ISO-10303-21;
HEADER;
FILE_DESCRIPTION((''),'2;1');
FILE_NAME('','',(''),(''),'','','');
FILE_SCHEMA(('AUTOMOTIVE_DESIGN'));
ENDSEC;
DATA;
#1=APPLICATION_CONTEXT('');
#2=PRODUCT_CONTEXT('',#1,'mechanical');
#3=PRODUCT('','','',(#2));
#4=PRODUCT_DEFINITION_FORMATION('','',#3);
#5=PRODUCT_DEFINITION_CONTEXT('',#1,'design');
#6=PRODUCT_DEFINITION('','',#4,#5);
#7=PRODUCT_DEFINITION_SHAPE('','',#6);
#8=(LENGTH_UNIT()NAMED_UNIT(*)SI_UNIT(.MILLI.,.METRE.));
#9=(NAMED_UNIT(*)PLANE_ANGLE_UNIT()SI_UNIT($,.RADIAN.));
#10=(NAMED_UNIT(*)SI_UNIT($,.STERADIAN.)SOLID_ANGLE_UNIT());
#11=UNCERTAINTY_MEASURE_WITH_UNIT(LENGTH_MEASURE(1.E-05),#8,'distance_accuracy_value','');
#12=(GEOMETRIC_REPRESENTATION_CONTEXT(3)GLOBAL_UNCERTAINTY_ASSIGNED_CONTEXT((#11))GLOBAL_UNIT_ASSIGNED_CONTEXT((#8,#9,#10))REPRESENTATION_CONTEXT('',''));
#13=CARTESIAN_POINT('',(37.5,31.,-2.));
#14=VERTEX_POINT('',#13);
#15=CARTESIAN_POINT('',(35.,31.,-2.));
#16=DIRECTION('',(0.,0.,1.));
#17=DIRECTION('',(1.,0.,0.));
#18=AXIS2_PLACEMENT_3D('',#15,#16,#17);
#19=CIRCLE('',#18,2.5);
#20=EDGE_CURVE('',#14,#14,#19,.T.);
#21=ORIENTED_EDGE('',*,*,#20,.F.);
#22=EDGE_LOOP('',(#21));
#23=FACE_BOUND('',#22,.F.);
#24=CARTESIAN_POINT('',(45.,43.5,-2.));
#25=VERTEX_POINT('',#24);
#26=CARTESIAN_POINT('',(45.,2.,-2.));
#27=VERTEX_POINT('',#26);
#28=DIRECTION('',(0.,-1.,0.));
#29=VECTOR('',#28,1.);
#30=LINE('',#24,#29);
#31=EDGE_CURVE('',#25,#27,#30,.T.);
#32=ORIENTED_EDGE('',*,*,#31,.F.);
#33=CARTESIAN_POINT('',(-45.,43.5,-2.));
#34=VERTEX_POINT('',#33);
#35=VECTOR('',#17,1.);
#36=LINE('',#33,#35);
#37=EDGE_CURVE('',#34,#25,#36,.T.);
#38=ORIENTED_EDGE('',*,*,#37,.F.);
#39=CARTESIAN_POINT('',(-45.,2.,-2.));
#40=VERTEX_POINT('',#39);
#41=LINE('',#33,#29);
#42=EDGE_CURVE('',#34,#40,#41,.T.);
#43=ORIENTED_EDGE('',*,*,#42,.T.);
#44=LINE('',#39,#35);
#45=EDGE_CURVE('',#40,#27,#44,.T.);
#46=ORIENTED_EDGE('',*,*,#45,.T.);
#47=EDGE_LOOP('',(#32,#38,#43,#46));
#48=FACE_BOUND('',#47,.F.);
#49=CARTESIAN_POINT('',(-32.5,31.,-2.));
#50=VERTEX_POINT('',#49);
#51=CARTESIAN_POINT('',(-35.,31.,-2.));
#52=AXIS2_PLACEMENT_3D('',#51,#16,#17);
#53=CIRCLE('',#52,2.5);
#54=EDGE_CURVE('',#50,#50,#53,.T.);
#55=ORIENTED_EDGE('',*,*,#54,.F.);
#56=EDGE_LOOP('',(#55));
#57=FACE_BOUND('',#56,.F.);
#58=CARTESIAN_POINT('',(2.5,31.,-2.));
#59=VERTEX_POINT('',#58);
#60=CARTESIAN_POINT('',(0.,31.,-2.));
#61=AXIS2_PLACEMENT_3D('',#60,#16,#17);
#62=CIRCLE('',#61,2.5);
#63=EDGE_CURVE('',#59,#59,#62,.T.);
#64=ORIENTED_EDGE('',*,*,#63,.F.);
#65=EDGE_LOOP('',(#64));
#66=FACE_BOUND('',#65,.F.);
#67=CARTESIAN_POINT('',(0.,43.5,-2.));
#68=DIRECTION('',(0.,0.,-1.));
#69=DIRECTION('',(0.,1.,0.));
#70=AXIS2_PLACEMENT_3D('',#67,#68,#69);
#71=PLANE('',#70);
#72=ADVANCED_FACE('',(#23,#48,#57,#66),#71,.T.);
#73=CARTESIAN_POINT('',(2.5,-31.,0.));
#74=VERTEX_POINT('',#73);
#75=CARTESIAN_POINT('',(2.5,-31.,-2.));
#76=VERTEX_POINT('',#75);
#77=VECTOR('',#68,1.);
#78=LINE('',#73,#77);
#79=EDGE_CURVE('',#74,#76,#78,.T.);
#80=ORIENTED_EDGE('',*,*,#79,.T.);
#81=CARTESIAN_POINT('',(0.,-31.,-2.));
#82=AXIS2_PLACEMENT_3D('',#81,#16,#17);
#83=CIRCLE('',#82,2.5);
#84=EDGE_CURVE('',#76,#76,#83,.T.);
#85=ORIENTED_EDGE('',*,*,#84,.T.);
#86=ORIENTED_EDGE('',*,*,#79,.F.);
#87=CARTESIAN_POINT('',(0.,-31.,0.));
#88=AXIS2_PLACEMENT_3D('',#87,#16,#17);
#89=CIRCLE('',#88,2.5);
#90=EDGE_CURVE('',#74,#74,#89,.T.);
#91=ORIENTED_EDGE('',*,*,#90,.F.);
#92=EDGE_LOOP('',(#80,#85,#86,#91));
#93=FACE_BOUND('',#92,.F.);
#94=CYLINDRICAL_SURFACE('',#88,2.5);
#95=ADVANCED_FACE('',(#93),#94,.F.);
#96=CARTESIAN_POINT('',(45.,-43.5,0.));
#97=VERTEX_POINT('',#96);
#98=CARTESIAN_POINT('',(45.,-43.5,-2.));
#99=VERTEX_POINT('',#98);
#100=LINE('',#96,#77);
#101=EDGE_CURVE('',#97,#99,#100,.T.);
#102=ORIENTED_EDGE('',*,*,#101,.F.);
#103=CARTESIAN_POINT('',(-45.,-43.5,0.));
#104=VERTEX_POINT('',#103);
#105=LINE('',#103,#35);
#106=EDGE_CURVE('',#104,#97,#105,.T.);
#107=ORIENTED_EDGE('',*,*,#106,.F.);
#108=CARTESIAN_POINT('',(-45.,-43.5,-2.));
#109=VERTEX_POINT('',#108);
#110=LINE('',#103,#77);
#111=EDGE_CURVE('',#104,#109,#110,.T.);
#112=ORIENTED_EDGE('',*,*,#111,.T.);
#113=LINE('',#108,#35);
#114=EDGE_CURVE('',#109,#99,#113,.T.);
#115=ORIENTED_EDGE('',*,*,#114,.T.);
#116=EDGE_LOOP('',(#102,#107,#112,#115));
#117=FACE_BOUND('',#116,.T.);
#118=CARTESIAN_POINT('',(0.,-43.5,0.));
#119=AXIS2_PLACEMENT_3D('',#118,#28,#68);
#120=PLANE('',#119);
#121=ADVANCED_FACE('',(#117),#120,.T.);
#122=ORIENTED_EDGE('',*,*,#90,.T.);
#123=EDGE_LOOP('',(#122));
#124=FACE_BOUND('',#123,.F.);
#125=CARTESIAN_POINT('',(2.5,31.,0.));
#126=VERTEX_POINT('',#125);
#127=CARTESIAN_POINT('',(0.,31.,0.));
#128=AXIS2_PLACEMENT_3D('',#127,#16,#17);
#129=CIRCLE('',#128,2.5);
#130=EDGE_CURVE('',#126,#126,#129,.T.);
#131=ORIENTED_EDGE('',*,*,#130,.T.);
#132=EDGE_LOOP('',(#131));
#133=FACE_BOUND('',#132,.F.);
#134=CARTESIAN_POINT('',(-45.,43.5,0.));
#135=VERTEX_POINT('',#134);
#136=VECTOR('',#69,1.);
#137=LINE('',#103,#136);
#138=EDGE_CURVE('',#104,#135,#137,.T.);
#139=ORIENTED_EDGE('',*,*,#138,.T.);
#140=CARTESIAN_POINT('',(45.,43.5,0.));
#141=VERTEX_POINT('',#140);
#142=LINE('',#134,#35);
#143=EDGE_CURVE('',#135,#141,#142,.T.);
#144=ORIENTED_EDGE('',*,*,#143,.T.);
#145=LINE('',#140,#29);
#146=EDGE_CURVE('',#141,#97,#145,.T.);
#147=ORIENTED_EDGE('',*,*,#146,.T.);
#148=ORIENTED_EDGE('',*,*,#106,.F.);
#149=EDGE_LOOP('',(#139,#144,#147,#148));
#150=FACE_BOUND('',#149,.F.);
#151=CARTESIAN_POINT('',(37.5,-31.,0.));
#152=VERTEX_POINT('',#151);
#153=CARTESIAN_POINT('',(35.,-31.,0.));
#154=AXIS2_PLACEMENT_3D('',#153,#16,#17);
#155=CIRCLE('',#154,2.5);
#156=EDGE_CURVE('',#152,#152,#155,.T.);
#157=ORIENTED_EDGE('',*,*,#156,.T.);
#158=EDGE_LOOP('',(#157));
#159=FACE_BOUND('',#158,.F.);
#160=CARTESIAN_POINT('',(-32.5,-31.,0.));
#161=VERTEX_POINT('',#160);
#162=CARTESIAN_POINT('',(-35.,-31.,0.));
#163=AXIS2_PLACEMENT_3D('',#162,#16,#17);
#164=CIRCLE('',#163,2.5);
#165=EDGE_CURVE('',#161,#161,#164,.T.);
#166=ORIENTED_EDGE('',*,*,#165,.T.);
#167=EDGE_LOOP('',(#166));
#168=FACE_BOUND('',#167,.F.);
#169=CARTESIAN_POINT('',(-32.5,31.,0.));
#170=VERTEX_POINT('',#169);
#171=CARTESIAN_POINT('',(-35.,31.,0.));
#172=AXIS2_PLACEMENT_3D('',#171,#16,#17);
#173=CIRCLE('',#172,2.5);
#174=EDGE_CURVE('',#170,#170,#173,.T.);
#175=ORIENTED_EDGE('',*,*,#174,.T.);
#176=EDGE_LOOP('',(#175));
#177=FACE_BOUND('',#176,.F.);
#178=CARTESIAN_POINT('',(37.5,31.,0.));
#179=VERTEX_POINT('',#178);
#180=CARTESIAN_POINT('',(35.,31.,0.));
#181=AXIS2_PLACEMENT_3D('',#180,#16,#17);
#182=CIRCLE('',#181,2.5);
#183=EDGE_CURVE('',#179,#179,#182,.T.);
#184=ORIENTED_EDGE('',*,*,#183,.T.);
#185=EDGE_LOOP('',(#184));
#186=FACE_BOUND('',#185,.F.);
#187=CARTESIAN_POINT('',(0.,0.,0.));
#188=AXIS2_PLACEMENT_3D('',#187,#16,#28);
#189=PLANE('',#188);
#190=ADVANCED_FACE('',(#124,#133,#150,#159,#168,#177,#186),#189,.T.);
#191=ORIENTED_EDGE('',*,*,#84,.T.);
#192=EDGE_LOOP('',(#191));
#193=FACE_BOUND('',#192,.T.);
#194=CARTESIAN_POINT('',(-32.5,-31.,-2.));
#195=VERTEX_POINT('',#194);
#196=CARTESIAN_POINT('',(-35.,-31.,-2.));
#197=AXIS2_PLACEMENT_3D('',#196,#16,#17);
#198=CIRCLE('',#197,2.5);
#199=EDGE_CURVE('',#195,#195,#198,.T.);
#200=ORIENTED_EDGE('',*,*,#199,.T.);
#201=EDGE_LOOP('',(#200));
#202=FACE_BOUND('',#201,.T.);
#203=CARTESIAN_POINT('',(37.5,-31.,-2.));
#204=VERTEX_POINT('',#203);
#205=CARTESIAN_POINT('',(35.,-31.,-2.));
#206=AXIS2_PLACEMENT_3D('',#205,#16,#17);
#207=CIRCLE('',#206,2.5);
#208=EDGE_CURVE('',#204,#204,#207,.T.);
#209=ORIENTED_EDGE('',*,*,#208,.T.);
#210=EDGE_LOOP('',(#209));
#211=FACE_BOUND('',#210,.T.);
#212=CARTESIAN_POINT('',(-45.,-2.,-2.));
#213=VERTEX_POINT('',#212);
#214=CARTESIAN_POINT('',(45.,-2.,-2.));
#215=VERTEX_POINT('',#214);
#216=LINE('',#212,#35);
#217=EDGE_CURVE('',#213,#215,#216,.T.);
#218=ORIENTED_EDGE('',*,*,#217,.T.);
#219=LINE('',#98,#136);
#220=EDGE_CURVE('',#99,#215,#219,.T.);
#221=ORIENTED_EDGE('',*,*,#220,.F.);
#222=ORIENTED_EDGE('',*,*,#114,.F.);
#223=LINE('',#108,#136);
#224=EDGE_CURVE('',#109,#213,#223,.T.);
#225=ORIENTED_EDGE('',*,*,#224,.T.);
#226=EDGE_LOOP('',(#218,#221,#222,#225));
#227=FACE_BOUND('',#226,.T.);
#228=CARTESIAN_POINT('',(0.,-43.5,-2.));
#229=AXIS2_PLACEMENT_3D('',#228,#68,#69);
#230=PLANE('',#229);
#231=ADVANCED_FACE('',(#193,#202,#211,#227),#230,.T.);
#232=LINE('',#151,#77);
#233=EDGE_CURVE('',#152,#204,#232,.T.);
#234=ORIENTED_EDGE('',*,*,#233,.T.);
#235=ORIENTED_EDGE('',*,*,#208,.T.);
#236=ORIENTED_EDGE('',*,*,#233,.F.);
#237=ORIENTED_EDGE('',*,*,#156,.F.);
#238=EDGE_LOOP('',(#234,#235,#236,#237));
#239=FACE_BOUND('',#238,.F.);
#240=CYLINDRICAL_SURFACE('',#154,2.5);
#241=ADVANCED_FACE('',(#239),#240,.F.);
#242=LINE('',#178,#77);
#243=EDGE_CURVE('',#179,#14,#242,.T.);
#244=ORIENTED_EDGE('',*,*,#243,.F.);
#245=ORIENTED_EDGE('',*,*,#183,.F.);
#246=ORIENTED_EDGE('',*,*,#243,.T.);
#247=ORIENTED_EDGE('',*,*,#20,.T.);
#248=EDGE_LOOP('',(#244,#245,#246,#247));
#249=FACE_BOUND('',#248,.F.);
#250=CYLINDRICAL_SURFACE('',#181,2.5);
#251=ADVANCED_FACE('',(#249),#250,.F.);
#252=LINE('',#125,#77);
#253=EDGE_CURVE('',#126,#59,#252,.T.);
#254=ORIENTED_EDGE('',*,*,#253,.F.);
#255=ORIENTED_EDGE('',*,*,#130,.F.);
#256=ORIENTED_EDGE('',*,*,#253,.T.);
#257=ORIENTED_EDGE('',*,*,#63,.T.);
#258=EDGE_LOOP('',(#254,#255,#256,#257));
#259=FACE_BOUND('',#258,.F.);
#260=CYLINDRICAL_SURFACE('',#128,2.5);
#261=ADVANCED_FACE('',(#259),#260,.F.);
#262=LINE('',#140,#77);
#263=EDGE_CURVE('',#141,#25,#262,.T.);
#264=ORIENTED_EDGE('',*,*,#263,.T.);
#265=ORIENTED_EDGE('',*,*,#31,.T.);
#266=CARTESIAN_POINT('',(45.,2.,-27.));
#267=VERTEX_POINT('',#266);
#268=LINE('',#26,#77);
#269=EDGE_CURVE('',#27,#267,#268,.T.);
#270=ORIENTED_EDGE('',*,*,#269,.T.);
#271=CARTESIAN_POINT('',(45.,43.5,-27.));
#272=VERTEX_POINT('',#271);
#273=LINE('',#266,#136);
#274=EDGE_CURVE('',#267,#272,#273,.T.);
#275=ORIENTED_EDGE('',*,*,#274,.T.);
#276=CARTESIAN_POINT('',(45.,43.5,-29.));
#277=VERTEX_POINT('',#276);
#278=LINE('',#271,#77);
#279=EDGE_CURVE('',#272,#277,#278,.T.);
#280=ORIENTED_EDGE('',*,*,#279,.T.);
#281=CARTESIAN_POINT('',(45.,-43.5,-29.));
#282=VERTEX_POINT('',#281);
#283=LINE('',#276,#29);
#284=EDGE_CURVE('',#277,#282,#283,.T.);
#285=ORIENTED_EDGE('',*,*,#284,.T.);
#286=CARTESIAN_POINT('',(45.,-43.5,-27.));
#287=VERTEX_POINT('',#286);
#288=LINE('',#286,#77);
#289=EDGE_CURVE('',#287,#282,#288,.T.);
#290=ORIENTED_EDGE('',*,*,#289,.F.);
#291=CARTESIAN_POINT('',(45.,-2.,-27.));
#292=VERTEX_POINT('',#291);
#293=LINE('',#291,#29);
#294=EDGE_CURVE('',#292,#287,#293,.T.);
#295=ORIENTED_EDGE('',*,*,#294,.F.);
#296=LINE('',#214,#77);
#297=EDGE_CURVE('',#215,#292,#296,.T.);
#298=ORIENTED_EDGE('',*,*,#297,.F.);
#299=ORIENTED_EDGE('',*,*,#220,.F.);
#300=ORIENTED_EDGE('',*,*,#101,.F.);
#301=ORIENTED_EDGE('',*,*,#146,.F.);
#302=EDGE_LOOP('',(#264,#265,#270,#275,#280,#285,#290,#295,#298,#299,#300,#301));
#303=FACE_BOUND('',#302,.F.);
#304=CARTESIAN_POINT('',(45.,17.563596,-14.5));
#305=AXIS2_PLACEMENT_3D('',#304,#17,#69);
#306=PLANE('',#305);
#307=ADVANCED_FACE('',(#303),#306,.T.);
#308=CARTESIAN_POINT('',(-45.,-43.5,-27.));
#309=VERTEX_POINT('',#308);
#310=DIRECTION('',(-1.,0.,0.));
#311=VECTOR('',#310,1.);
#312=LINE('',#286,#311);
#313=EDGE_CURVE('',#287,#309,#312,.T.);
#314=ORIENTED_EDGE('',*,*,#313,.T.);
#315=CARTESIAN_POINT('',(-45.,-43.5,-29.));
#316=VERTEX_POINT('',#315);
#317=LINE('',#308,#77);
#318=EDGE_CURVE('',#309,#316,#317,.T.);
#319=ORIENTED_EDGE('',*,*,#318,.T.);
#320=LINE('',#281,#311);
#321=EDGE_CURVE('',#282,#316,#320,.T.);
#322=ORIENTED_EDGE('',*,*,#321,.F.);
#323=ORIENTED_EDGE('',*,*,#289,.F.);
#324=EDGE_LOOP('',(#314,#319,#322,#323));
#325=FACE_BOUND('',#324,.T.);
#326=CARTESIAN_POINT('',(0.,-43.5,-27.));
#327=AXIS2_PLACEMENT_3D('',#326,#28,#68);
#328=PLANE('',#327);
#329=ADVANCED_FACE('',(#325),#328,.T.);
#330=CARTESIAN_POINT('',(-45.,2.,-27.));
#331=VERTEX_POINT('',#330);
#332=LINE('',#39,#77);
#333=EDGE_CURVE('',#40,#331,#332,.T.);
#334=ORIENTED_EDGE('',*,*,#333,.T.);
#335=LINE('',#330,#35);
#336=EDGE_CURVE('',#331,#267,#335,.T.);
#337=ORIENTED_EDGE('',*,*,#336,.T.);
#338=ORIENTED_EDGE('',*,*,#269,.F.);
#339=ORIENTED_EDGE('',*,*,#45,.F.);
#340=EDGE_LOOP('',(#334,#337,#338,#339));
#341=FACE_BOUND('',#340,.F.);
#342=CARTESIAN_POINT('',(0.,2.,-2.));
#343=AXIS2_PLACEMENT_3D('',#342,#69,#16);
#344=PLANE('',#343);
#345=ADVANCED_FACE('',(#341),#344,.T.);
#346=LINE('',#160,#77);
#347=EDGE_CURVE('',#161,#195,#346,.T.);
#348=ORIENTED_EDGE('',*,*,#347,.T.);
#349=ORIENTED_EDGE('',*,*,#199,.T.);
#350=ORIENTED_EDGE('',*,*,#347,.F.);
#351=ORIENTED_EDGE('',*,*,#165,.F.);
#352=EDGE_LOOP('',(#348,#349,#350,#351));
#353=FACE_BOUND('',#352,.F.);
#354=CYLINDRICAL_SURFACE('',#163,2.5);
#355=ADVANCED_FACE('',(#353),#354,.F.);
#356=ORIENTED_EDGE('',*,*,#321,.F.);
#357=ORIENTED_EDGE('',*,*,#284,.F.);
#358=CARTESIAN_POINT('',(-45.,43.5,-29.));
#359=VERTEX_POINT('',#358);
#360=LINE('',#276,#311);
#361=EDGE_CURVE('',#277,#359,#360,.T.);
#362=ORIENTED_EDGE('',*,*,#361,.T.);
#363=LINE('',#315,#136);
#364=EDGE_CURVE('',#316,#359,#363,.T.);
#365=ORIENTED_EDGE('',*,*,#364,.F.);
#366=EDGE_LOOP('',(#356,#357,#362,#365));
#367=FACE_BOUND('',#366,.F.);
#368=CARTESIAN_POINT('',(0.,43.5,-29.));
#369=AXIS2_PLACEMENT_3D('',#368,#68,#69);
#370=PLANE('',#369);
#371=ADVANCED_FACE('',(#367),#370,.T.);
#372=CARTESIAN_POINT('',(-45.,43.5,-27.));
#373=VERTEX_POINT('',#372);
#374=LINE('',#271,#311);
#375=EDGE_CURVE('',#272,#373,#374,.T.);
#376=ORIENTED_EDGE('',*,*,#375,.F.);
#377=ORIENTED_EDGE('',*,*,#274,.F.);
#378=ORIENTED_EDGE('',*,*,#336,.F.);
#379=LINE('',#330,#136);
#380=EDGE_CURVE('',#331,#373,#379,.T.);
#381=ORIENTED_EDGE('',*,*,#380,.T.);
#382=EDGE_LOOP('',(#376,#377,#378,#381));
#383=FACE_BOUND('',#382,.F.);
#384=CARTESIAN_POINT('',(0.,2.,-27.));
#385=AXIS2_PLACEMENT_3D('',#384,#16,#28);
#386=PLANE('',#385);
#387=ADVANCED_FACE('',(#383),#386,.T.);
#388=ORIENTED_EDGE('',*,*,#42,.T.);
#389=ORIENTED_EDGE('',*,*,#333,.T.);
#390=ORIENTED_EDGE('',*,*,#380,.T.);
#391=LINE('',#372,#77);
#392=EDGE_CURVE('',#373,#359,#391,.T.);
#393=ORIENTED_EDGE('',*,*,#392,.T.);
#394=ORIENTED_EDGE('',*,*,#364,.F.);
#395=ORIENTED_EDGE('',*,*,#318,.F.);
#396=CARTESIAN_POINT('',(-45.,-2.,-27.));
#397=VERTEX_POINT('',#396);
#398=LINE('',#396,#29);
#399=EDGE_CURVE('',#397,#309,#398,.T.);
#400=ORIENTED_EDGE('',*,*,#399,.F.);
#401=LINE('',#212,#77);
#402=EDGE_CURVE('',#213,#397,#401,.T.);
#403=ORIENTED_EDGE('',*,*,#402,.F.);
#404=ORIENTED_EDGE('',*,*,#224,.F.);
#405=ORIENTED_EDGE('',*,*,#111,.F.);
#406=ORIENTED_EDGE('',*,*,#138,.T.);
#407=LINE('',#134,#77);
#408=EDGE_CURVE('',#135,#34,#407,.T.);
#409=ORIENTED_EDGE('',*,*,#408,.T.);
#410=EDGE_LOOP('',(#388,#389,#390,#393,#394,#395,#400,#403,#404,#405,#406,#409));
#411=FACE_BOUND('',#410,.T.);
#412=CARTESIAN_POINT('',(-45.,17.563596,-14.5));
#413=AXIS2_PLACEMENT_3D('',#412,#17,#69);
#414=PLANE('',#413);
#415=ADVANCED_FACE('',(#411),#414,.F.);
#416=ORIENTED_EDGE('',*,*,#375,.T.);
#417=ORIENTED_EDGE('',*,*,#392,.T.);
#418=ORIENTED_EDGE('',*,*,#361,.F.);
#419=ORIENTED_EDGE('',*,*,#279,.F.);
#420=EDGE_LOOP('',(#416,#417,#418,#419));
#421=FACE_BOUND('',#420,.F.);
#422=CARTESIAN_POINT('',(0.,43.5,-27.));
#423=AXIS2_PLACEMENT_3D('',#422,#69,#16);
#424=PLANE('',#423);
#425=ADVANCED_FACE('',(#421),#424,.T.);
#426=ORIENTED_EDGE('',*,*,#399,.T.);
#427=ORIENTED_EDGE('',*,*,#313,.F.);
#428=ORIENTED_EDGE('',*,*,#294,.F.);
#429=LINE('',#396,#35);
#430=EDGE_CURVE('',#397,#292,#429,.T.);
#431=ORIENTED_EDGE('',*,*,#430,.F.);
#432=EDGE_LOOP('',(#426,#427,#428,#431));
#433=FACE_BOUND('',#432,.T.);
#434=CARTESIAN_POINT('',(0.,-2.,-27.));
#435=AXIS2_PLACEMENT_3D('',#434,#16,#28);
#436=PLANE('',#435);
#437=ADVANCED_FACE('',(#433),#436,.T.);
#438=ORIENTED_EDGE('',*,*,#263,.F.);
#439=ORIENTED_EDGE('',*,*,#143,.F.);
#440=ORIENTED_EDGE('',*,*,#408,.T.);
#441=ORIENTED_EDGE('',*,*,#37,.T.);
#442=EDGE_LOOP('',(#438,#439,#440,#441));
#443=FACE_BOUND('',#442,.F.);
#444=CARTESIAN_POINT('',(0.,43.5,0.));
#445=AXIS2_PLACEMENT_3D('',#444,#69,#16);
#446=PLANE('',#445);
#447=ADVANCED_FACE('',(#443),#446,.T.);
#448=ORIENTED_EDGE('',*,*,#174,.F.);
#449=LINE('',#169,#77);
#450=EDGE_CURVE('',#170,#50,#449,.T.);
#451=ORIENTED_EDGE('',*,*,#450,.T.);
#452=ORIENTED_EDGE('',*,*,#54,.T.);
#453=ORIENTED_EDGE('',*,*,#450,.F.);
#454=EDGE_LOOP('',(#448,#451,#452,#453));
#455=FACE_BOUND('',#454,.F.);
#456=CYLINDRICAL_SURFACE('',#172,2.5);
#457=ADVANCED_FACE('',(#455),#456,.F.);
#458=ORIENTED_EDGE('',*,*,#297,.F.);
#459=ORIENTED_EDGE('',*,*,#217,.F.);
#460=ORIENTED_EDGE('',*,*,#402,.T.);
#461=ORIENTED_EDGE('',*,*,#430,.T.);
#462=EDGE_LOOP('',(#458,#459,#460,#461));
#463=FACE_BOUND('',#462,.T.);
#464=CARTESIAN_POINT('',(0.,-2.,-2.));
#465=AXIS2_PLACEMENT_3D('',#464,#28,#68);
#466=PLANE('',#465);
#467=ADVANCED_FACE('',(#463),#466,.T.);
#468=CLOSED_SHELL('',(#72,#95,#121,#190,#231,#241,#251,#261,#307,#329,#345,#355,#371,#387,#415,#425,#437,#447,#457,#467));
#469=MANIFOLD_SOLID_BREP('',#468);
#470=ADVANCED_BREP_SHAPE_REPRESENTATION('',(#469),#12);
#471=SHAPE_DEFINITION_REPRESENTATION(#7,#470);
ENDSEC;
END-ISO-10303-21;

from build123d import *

# Parameters (mm, degrees)
F1_DEPTH = 45
F3_R     = 2.5
F4_DEPTH = 2


with BuildPart() as f1:
    # F0 (on Right) → F1 (new body, symmetric)
    with BuildSketch(Plane.YZ):
        Polygon((0, -29), (0, 0), (-43.5, 0), (-43.5, -2), (-2, -2), (-2, -27), (-43.5, -27), (-43.5, -29), align=None)
    extrude(amount=F1_DEPTH, both=True)

    # F2: F1 across plane


with BuildPart() as f1_1:
    add(f1.part)
    add(f1.part.mirror(Plane.XZ))

    # F3 (on face) → F4 (cut, through all)
    with BuildSketch(Plane.XY):
        with Locations((35, 31)):
            Circle(F3_R)
        with Locations((0, 31)):
            Circle(F3_R)
        with Locations((-35, 31)):
            Circle(F3_R)
        with Locations((-35, -31)):
            Circle(F3_R)
        with Locations((0, -31)):
            Circle(F3_R)
        with Locations((35, -31)):
            Circle(F3_R)
    extrude(amount=-F4_DEPTH, mode=Mode.SUBTRACT)


solid = f1_1.part
